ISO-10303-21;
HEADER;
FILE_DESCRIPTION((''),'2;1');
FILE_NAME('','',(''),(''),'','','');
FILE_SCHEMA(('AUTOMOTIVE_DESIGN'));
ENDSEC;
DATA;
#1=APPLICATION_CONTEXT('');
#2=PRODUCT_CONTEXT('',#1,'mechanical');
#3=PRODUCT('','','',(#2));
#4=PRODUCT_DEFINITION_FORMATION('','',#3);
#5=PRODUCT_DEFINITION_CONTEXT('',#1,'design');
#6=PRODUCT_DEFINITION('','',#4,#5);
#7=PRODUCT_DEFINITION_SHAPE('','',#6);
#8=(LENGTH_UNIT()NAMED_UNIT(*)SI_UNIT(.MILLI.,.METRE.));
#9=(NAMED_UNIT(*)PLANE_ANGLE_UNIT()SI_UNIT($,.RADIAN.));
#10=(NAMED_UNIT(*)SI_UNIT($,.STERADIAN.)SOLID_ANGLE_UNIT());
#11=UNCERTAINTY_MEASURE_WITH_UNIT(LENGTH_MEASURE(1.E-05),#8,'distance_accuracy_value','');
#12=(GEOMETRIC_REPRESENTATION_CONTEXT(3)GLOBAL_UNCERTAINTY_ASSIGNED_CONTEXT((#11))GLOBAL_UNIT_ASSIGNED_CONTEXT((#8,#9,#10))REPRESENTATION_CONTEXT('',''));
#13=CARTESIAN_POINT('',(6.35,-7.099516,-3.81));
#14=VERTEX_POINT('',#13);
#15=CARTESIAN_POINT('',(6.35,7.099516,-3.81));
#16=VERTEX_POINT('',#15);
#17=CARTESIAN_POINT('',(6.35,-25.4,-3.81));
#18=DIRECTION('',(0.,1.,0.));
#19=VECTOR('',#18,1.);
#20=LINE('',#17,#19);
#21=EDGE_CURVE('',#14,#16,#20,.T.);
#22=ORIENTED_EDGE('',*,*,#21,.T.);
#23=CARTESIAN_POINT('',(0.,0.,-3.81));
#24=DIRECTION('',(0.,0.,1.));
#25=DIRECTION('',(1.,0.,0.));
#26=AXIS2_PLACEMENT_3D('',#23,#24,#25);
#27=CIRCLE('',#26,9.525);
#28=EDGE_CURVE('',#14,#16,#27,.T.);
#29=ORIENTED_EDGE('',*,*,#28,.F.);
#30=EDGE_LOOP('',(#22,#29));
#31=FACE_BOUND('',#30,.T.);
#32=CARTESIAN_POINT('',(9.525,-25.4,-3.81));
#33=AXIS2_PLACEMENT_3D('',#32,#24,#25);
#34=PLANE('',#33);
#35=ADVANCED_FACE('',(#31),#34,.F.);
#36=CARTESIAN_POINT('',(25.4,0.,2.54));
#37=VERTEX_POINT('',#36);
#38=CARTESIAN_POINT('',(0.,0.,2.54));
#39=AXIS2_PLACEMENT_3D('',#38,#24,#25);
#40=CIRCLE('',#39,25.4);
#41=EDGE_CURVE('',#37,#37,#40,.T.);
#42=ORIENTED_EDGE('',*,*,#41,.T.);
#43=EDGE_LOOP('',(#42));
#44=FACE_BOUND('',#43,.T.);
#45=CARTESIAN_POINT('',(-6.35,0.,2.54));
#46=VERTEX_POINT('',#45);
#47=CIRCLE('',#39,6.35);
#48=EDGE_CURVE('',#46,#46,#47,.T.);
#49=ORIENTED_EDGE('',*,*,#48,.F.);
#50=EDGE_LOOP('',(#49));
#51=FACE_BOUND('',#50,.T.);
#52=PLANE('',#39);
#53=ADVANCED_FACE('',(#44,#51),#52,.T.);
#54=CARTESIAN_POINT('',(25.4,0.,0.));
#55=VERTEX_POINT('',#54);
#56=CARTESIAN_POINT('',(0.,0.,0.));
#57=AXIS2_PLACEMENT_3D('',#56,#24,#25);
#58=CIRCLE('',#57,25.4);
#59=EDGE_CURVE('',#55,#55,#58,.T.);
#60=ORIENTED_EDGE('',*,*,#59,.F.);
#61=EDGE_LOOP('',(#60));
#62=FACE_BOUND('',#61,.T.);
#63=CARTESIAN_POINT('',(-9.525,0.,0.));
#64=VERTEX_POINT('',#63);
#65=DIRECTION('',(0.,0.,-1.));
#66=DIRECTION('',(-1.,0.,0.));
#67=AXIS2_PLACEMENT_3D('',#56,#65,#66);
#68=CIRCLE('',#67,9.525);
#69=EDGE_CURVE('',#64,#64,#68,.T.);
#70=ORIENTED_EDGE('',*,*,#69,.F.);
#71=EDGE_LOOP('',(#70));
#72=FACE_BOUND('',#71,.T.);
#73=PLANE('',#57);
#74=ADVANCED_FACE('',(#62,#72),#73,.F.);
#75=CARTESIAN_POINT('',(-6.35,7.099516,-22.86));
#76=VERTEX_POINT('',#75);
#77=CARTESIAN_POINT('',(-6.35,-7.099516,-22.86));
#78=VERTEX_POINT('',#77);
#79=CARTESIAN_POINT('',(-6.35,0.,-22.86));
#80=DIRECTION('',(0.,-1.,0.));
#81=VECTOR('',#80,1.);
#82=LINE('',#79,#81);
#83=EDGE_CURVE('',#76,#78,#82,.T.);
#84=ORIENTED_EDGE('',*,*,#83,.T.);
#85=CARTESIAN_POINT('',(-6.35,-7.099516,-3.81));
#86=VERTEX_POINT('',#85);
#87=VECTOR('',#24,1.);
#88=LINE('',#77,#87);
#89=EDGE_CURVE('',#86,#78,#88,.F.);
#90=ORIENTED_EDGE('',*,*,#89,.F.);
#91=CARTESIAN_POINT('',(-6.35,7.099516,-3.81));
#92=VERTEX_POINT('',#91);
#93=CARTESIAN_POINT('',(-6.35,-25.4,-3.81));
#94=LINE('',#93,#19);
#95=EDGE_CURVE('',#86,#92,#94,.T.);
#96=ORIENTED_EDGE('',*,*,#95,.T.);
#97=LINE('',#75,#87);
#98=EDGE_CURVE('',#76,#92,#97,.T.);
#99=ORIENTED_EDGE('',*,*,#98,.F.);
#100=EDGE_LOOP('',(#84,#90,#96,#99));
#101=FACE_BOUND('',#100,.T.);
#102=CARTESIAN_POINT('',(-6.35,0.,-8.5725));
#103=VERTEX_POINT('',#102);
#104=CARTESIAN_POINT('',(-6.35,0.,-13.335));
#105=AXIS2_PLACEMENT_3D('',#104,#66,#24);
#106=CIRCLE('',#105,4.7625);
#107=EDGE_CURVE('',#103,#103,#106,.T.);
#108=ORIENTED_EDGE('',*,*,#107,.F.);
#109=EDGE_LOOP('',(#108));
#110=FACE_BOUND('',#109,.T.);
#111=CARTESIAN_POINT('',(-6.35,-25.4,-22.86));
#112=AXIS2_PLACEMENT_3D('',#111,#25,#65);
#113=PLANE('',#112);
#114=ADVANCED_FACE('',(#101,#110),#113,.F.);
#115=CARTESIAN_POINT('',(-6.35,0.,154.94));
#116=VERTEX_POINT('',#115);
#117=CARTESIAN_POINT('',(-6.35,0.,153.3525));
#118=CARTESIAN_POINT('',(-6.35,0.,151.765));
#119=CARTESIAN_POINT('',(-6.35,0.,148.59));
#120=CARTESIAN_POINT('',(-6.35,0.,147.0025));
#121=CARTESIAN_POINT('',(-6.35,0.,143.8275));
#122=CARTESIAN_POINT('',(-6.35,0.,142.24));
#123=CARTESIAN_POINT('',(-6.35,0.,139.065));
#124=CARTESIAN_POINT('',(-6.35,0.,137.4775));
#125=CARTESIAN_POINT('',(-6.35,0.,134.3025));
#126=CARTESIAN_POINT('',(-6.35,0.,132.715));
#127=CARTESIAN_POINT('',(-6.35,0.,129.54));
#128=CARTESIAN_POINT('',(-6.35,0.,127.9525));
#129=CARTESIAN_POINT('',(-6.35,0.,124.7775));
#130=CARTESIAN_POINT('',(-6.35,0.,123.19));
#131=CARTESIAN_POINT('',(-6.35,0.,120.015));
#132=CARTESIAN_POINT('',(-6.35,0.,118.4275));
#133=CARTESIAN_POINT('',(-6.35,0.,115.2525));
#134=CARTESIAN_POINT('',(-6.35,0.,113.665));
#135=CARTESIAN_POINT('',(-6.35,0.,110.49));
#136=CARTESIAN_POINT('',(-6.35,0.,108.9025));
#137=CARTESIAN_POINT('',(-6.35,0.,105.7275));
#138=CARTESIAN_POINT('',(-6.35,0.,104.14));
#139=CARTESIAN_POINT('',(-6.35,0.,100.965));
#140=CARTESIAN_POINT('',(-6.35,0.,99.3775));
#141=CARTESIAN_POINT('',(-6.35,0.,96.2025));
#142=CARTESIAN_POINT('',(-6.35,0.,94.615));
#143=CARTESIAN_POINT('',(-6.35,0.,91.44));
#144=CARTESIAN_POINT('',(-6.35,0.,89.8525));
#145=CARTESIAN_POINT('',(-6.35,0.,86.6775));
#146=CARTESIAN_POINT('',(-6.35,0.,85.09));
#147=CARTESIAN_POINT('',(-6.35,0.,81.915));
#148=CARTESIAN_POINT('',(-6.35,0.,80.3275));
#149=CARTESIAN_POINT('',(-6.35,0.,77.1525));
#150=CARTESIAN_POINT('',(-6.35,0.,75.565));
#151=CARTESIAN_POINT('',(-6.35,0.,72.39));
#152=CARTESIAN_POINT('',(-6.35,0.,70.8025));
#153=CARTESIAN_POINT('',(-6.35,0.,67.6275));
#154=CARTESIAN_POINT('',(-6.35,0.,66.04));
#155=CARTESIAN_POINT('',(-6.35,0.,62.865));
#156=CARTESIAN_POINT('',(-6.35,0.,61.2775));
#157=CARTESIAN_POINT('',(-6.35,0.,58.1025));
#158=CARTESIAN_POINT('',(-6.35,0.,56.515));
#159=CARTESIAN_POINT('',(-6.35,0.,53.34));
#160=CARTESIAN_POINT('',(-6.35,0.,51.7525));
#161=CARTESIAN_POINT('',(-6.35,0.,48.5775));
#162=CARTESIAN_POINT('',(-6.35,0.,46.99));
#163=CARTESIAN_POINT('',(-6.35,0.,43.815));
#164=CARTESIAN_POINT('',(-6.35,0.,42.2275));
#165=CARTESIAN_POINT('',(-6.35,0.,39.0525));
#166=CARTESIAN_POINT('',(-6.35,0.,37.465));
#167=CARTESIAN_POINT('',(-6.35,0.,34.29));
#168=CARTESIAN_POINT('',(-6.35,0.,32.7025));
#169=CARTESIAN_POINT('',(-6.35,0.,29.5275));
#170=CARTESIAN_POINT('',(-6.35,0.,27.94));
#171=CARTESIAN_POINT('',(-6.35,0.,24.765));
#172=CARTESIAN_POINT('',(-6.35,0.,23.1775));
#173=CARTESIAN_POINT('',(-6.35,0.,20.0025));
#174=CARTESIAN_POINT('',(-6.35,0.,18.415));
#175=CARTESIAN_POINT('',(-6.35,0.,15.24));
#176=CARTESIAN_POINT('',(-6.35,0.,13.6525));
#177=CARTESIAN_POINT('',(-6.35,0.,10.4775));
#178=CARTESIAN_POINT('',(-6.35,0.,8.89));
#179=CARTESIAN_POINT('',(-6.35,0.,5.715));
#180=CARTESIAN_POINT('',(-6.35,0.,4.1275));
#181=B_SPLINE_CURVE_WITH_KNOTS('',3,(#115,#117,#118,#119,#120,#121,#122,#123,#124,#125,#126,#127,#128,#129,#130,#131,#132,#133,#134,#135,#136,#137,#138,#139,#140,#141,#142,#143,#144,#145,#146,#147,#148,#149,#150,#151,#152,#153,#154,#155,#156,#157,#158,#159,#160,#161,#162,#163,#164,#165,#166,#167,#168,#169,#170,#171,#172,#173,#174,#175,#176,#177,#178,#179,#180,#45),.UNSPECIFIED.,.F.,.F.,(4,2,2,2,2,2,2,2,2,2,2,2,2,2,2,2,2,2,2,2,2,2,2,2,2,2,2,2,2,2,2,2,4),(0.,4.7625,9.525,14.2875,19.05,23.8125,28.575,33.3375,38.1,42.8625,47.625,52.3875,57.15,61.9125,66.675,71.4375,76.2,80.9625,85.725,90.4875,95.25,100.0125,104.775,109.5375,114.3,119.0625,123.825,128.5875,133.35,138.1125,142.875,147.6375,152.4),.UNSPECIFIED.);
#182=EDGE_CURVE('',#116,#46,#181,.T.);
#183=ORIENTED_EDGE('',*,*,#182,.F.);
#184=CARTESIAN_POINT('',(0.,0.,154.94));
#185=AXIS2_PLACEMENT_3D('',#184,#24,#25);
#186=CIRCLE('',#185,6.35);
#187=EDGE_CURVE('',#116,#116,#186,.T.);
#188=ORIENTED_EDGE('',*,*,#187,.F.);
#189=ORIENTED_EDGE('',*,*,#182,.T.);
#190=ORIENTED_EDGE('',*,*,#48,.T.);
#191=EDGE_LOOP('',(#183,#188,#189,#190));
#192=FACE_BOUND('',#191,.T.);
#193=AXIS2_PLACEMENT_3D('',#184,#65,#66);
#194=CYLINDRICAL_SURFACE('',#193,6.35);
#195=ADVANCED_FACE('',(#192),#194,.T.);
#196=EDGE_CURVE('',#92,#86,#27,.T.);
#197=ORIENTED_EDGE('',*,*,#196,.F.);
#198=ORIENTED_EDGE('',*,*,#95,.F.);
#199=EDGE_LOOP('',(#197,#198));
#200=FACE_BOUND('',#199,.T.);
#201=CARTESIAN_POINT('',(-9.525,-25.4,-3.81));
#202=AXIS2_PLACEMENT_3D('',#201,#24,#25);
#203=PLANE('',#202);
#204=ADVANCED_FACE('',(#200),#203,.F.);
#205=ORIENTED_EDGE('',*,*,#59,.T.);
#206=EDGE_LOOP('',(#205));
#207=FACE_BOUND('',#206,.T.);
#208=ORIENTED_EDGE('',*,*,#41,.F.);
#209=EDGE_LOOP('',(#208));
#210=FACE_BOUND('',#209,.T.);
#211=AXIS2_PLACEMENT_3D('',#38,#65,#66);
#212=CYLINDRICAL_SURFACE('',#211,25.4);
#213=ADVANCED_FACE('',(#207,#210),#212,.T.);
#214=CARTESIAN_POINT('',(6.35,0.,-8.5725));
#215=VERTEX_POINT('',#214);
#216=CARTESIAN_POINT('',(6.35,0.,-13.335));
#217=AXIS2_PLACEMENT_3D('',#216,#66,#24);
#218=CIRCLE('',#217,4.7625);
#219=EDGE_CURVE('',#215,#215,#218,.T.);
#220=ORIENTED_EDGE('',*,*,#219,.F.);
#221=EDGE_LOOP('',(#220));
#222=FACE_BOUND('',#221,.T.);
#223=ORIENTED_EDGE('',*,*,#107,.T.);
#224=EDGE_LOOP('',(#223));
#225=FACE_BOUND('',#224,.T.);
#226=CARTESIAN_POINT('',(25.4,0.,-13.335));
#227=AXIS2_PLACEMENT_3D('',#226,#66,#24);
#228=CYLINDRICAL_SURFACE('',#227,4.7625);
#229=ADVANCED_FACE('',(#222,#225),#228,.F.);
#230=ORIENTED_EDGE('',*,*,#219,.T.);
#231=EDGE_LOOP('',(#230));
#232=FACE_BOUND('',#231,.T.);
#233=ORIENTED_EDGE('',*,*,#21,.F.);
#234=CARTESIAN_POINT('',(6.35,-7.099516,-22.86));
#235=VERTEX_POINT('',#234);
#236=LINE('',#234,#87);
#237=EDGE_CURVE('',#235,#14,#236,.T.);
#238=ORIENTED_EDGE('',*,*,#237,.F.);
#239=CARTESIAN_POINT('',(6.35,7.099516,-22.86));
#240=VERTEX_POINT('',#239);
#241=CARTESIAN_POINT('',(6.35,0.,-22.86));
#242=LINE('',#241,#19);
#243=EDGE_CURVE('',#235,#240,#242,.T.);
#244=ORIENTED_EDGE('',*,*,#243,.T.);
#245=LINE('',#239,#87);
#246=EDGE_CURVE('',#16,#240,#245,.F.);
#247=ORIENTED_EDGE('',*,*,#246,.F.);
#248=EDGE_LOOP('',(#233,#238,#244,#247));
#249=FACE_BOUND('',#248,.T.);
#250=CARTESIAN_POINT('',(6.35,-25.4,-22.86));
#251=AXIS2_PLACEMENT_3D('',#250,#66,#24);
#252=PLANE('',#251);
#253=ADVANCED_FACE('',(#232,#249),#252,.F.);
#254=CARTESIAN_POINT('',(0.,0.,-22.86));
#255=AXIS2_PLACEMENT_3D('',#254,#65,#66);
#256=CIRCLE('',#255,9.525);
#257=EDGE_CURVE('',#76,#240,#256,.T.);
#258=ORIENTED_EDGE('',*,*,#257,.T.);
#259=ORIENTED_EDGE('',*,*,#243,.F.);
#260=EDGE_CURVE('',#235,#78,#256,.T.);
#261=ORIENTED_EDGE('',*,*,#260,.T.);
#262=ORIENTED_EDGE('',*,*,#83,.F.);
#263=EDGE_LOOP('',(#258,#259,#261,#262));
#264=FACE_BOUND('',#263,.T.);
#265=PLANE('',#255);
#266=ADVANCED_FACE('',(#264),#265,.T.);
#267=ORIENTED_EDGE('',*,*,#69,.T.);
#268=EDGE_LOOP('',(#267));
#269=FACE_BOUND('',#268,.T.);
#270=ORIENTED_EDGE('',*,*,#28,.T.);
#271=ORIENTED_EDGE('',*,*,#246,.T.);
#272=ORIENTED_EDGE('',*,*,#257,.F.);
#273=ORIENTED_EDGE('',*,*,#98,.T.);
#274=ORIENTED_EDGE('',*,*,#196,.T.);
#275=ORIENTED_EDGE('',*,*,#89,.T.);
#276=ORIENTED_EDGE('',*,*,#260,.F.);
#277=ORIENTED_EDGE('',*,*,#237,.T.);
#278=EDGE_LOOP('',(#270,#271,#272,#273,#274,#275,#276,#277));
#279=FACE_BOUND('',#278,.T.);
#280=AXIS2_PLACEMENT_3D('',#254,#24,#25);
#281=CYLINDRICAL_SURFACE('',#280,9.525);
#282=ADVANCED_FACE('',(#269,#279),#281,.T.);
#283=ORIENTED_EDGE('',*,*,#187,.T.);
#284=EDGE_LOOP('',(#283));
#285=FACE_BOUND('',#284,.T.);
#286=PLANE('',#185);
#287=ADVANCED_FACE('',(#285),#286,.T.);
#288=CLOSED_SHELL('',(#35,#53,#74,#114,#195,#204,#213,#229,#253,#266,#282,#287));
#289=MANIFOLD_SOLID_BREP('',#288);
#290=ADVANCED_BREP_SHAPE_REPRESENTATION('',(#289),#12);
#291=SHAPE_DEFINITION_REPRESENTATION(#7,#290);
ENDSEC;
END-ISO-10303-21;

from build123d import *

# Parameters (mm, degrees)
SKETCH1_R               = 25.4
BOSS_EXTRUDE1_DEPTH     = 2.54
SKETCH2_R               = 6.35
BOSS_EXTRUDE2_DEPTH     = 152.4
SKETCH3_R               = 9.525
BOSS_EXTRUDE3_DEPTH     = 22.86
CUT_EXTRUDE2_DEPTH      = 160.049437597
CUT_EXTRUDE2_DEPTH_BACK = 160.049437597
SKETCH4_W               = 3.175
SKETCH4_H               = 19.05
CUT_EXTRUDE3_DEPTH      = 161.18622319
CUT_EXTRUDE3_DEPTH_BACK = 161.18622319
SKETCH5_R               = 4.7625


with BuildPart() as part:
    # Sketch1 → Boss-Extrude1 (new body)
    with BuildSketch(Plane.XY):
        Circle(SKETCH1_R)
    extrude(amount=BOSS_EXTRUDE1_DEPTH)

    # Sketch2 → Boss-Extrude2 (add)
    with BuildSketch(Plane.XY.offset(2.54)):
        with Locations(Location((0, 0, 0), (0, 0, 180))):
            Circle(SKETCH2_R)
    extrude(amount=BOSS_EXTRUDE2_DEPTH)

    # Sketch3 → Boss-Extrude3 (add)
    with BuildSketch(Plane(origin=(0, 0, 0), x_dir=(-1, 0, 0), z_dir=(0, 0, -1))):
        Circle(SKETCH3_R)
    extrude(amount=BOSS_EXTRUDE3_DEPTH)

    # Sketch4 → Cut-Extrude2 (cut, two sides: drawn at the far end of the back side and taken through both)
    with BuildSketch(Plane(origin=(0, 0, 0), x_dir=(1, 0, 0), z_dir=(0, 1, 0)).offset(-CUT_EXTRUDE2_DEPTH_BACK)):
        with Locations((7.9375, 13.335)):
            Rectangle(SKETCH4_W, SKETCH4_H)
        with Locations((-7.9375, 13.335)):
            Rectangle(SKETCH4_W, SKETCH4_H)
    extrude(amount=CUT_EXTRUDE2_DEPTH + CUT_EXTRUDE2_DEPTH_BACK, mode=Mode.SUBTRACT)

    # Sketch5 → Cut-Extrude3 (cut, two sides: drawn at the far end of the back side and taken through both)
    with BuildSketch(Plane.ZY.offset(6.35).offset(-CUT_EXTRUDE3_DEPTH_BACK)):
        with Locations((-13.335, 0)):
            Circle(SKETCH5_R)
    extrude(amount=CUT_EXTRUDE3_DEPTH + CUT_EXTRUDE3_DEPTH_BACK, mode=Mode.SUBTRACT)


solid = part.part
